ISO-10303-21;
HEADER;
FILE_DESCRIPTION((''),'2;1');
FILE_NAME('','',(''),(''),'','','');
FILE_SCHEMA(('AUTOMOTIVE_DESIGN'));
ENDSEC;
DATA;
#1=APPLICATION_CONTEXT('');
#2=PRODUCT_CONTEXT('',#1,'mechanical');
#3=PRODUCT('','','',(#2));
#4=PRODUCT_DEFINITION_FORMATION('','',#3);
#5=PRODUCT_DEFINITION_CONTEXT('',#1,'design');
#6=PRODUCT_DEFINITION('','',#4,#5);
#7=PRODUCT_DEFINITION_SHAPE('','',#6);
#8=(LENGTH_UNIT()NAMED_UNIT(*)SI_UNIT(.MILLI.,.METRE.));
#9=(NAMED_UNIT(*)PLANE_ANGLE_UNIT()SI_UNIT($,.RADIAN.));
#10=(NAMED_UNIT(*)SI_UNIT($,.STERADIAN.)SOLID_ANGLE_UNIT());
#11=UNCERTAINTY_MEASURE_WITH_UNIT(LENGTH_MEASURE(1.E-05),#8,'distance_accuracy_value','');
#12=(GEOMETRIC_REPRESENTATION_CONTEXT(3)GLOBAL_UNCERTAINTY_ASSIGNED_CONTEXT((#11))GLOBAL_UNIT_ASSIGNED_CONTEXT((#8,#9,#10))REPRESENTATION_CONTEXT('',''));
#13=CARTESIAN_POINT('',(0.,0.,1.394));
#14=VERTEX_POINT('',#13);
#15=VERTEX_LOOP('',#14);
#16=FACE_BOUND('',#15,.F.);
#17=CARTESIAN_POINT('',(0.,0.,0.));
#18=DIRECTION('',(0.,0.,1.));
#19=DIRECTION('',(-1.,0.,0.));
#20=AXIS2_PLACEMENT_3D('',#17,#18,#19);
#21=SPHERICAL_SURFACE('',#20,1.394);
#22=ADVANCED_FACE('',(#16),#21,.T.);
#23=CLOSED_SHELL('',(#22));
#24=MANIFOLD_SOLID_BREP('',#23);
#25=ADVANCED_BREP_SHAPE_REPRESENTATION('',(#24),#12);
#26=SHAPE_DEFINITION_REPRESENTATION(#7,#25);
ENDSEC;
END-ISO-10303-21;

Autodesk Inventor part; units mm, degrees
ref_plane "YZ Plane" through (0, 0, 0) normal (1, 0, 0) x (0, 1, 0)
ref_plane "XZ Plane" through (0, 0, 0) normal (0, 1, 0) x (-1, 0, 0)
ref_plane "XY Plane" through (0, 0, 0) normal (0, 0, 1) x (1, 0, 0)
sketch "Sketch1" plane through (0, 0, 0) normal (0, 1, 0) x (-1, 0, 0)
  arc A0 (0, -1.394) -> (0, 1.394) centre (0, 0) ccw
  line L0 (0, 1.394) -> (0, -1.394)
  dimension "d0" = 2.788
  dimension "d1" = 0
revolve "Revolution1" add sketch "Sketch1" angle 360 about axis through (0, 0, 1.394) along (0, 0, -1)
properties part number "12mmBallBearing" material "Steel"
